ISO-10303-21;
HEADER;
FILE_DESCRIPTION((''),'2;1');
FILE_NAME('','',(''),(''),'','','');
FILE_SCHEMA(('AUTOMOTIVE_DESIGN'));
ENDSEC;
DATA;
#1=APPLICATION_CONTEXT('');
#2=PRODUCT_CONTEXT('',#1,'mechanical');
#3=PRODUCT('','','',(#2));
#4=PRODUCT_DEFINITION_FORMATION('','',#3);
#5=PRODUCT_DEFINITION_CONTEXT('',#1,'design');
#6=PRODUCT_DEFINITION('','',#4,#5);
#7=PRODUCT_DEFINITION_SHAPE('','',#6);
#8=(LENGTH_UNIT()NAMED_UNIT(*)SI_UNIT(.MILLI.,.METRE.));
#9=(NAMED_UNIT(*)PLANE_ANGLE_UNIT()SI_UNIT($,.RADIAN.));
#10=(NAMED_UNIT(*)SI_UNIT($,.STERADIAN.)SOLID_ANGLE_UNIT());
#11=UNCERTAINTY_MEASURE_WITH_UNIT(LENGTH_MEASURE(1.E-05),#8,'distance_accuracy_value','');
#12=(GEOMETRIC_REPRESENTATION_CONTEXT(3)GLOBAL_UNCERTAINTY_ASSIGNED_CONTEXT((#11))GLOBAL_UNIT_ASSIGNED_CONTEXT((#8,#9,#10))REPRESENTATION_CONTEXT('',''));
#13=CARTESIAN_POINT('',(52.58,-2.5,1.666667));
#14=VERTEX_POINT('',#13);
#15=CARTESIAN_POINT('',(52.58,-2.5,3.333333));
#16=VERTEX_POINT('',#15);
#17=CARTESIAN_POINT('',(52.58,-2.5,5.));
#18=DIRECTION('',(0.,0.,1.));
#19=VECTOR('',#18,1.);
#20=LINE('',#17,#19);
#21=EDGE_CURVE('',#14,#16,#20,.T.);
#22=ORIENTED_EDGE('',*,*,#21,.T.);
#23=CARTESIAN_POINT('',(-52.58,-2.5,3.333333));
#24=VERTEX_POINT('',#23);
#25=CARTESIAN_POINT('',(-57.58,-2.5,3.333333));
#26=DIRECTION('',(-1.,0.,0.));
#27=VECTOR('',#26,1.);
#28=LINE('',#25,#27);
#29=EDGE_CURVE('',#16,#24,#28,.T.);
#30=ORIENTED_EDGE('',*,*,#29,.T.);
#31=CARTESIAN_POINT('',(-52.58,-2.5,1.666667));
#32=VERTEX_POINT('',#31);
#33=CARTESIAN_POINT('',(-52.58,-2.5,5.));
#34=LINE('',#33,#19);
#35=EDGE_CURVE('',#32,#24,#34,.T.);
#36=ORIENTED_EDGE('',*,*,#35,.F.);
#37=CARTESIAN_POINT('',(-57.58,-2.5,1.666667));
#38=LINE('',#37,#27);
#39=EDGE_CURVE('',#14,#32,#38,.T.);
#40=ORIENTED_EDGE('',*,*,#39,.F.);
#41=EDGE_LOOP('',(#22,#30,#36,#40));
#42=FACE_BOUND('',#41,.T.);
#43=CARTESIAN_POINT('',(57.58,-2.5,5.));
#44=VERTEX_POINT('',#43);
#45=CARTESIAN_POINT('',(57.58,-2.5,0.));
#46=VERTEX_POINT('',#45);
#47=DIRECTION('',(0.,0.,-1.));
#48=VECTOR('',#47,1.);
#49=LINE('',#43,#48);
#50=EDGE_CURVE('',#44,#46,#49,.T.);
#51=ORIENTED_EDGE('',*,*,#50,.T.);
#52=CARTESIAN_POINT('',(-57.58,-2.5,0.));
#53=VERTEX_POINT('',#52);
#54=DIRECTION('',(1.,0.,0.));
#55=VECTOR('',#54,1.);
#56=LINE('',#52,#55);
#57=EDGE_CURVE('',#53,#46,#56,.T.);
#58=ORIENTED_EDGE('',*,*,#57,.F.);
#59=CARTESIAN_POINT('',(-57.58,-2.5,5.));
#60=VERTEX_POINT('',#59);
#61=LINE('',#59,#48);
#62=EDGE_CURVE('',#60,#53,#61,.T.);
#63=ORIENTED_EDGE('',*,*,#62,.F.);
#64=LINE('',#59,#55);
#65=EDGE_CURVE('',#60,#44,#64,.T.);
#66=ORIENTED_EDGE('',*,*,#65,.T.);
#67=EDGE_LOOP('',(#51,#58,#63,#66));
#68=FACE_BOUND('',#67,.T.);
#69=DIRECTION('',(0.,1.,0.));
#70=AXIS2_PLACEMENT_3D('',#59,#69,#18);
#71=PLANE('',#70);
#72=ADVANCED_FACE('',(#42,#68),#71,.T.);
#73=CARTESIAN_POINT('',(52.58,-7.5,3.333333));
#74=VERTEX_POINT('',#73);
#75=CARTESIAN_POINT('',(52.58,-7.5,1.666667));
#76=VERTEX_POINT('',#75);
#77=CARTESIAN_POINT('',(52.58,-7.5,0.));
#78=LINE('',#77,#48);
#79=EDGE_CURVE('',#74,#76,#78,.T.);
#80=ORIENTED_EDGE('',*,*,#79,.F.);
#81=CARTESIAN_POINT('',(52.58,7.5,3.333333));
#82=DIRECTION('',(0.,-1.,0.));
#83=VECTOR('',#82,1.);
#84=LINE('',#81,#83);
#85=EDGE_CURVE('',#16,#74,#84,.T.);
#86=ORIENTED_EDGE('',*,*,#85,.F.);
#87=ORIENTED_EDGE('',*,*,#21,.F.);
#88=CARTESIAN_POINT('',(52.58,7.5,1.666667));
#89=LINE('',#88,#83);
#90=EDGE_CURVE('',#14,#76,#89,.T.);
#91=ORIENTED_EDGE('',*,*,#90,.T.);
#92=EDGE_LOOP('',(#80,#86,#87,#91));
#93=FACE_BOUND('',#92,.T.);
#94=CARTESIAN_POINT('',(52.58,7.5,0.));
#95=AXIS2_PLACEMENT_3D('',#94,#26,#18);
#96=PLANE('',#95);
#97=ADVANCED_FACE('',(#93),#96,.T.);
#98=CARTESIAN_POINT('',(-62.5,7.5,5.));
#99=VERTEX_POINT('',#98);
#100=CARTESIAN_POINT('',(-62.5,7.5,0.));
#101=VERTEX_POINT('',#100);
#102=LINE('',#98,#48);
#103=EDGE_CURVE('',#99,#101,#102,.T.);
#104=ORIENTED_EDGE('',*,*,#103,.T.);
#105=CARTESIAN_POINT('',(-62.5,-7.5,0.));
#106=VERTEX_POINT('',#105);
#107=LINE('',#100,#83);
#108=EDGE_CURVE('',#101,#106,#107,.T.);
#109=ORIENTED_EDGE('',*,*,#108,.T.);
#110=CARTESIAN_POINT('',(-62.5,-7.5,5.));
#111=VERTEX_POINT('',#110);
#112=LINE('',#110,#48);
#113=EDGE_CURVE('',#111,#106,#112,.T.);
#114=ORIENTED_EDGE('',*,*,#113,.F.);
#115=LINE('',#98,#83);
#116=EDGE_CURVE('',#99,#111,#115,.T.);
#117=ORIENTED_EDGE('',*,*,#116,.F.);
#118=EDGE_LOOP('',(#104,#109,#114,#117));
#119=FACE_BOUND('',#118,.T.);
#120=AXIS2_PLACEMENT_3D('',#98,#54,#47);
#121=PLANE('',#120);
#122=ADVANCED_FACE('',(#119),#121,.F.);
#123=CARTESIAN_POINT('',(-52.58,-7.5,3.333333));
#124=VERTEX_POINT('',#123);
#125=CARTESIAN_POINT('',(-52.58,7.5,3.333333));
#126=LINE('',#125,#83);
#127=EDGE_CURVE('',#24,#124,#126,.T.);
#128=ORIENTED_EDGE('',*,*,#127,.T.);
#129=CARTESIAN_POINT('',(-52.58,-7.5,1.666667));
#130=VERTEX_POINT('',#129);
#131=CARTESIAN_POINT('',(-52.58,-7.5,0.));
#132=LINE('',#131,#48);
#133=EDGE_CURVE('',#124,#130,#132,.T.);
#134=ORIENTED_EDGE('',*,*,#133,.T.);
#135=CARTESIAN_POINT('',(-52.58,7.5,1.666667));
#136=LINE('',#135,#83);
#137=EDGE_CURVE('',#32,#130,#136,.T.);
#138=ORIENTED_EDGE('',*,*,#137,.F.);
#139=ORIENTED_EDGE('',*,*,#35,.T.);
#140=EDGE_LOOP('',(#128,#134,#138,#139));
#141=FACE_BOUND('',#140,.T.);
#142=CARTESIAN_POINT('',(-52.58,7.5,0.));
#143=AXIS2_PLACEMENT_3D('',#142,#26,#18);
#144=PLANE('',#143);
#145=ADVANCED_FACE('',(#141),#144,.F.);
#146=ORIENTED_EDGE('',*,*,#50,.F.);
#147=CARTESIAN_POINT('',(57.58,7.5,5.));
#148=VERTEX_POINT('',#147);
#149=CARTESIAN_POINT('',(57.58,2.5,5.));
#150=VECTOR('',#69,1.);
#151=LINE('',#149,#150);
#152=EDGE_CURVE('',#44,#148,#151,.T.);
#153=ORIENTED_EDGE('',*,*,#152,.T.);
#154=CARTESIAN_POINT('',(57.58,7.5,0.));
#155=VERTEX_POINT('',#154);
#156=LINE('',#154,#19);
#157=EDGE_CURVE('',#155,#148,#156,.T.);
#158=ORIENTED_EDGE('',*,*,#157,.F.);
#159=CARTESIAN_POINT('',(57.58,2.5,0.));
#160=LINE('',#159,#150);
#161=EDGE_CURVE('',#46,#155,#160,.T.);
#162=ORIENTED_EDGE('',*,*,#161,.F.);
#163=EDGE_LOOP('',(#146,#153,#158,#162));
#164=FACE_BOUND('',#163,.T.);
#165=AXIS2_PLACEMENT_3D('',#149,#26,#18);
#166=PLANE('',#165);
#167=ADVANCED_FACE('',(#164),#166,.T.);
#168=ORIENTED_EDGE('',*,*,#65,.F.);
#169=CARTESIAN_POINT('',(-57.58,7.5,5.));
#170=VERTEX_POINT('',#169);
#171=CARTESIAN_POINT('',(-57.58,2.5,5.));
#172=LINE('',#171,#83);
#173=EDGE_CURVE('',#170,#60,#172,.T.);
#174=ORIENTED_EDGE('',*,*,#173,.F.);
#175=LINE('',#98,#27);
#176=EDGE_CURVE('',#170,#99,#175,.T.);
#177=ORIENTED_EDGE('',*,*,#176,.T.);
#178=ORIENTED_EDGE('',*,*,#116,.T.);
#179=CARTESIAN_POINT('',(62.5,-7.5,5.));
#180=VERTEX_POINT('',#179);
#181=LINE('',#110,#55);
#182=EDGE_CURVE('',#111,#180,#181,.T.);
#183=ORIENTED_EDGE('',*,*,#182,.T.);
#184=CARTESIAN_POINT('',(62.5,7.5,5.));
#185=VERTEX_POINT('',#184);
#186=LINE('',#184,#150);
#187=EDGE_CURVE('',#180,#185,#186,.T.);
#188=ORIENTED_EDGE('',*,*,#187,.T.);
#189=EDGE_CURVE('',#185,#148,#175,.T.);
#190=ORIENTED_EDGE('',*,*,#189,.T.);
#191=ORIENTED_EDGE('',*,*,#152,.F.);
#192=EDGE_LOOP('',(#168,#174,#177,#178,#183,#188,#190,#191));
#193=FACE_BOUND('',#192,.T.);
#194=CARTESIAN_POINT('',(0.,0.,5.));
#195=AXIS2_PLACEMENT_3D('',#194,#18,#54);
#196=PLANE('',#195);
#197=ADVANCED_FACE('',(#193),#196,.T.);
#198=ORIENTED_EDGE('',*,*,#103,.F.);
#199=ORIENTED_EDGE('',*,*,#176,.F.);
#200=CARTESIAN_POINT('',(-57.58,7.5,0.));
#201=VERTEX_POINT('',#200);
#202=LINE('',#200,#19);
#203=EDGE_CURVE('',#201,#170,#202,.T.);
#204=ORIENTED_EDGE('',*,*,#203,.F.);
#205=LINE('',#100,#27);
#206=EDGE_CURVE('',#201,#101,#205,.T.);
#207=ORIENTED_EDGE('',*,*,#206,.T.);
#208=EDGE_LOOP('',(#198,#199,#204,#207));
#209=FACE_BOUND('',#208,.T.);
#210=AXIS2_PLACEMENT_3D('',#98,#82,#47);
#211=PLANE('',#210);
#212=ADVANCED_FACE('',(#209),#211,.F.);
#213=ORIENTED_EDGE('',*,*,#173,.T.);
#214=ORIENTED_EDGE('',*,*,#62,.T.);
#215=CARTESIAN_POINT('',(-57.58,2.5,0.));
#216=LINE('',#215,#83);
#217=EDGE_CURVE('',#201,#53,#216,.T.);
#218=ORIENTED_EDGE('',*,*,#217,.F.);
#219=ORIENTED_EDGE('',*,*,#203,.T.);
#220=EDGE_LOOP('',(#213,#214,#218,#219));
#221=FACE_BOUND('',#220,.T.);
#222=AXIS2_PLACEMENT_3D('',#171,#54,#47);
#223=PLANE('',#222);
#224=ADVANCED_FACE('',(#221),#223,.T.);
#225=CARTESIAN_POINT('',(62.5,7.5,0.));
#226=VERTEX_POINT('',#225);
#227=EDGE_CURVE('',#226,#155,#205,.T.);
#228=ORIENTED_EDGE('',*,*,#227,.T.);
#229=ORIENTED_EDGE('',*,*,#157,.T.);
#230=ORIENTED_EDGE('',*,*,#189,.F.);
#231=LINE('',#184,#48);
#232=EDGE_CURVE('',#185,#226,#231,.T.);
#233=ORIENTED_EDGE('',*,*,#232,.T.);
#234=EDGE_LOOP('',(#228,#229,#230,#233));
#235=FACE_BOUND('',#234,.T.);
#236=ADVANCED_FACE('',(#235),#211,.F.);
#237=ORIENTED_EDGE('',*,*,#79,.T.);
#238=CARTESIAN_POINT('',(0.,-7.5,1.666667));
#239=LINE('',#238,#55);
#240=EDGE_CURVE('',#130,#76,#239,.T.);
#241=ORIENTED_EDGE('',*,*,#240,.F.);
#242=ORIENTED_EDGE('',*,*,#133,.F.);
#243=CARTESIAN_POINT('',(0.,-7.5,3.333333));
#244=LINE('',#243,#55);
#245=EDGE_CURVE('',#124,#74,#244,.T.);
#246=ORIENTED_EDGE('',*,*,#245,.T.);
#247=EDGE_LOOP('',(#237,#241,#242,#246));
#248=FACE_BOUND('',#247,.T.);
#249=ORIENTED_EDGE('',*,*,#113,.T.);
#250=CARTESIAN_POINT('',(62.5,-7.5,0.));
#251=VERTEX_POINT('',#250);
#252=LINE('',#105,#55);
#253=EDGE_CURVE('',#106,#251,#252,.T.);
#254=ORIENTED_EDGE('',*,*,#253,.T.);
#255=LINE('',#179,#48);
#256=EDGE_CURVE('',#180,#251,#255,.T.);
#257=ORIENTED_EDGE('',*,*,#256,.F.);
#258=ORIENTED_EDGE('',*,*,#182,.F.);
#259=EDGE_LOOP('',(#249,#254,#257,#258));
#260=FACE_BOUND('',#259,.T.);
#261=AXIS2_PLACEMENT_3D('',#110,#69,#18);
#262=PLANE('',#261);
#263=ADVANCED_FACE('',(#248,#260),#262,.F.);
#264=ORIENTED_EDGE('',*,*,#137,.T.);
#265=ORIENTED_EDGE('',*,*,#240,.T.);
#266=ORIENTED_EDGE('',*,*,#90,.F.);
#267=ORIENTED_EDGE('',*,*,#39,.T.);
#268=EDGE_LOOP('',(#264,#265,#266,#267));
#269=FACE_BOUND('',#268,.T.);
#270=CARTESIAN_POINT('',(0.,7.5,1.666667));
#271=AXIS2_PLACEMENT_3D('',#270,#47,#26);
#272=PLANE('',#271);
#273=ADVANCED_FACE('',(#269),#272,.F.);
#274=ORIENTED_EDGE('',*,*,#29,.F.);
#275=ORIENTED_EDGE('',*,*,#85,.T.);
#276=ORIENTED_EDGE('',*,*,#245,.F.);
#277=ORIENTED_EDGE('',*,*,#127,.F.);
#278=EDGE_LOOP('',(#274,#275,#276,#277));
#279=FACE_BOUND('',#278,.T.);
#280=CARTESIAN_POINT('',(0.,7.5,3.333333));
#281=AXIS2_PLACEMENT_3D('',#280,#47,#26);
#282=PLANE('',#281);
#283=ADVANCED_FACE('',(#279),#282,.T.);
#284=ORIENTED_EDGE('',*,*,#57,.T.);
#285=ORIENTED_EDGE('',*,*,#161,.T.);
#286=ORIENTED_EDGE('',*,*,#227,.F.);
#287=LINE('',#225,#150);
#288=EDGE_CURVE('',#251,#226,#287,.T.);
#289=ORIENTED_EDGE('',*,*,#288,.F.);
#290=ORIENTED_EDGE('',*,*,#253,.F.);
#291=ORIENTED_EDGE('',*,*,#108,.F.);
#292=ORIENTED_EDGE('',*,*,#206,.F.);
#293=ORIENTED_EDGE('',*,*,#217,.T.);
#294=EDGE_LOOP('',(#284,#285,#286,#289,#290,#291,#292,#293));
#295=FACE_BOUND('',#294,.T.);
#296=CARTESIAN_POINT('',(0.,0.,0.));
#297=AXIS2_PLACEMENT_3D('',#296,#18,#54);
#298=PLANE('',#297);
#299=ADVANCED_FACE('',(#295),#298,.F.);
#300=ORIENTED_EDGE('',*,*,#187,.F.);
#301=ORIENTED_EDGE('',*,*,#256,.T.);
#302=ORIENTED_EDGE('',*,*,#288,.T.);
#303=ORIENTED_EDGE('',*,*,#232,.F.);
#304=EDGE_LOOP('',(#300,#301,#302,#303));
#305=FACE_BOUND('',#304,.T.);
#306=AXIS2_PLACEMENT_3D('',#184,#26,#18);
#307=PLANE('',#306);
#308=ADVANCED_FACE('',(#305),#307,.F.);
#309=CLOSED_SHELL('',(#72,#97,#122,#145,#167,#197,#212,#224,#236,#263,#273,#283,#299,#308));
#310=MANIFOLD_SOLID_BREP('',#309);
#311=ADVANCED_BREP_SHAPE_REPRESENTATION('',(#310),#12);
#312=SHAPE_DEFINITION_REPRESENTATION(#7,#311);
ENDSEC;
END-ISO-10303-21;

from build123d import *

# Parameters (mm, degrees)
SKETCH1_W              = 125
SKETCH1_H              = 15
SKETCH1_W_2            = 115.16
SKETCH1_H_2            = 5
SLIDER_MAIN_BODY_DEPTH = 5
SKETCH5_W              = 105.16
SKETCH5_H              = 1.666666666
CUT_EXTRUDE1_DEPTH     = 65.468984791
SKETCH6_W              = 115.16
SKETCH6_H              = 5
CUT_EXTRUDE2_DEPTH     = 64.146654702


with BuildPart() as part:
    # Sketch1 → Slider Main Body (new body)
    with BuildSketch(Plane.XY):
        Rectangle(SKETCH1_W, SKETCH1_H)
        Rectangle(SKETCH1_W_2, SKETCH1_H_2, mode=Mode.SUBTRACT)
    extrude(amount=SLIDER_MAIN_BODY_DEPTH)

    # Sketch5 → Cut-Extrude1 (cut, through all)
    with BuildSketch(Plane.XZ.offset(7.5)):
        with Locations((0, 2.5)):
            Rectangle(SKETCH5_W, SKETCH5_H)
    extrude(amount=-CUT_EXTRUDE1_DEPTH, mode=Mode.SUBTRACT)

    # Sketch6 → Cut-Extrude2 (cut, through all)
    with BuildSketch(Plane.XY.offset(5)):
        with Locations((0, 5)):
            Rectangle(SKETCH6_W, SKETCH6_H)
    extrude(amount=-CUT_EXTRUDE2_DEPTH, mode=Mode.SUBTRACT)


solid = part.part
